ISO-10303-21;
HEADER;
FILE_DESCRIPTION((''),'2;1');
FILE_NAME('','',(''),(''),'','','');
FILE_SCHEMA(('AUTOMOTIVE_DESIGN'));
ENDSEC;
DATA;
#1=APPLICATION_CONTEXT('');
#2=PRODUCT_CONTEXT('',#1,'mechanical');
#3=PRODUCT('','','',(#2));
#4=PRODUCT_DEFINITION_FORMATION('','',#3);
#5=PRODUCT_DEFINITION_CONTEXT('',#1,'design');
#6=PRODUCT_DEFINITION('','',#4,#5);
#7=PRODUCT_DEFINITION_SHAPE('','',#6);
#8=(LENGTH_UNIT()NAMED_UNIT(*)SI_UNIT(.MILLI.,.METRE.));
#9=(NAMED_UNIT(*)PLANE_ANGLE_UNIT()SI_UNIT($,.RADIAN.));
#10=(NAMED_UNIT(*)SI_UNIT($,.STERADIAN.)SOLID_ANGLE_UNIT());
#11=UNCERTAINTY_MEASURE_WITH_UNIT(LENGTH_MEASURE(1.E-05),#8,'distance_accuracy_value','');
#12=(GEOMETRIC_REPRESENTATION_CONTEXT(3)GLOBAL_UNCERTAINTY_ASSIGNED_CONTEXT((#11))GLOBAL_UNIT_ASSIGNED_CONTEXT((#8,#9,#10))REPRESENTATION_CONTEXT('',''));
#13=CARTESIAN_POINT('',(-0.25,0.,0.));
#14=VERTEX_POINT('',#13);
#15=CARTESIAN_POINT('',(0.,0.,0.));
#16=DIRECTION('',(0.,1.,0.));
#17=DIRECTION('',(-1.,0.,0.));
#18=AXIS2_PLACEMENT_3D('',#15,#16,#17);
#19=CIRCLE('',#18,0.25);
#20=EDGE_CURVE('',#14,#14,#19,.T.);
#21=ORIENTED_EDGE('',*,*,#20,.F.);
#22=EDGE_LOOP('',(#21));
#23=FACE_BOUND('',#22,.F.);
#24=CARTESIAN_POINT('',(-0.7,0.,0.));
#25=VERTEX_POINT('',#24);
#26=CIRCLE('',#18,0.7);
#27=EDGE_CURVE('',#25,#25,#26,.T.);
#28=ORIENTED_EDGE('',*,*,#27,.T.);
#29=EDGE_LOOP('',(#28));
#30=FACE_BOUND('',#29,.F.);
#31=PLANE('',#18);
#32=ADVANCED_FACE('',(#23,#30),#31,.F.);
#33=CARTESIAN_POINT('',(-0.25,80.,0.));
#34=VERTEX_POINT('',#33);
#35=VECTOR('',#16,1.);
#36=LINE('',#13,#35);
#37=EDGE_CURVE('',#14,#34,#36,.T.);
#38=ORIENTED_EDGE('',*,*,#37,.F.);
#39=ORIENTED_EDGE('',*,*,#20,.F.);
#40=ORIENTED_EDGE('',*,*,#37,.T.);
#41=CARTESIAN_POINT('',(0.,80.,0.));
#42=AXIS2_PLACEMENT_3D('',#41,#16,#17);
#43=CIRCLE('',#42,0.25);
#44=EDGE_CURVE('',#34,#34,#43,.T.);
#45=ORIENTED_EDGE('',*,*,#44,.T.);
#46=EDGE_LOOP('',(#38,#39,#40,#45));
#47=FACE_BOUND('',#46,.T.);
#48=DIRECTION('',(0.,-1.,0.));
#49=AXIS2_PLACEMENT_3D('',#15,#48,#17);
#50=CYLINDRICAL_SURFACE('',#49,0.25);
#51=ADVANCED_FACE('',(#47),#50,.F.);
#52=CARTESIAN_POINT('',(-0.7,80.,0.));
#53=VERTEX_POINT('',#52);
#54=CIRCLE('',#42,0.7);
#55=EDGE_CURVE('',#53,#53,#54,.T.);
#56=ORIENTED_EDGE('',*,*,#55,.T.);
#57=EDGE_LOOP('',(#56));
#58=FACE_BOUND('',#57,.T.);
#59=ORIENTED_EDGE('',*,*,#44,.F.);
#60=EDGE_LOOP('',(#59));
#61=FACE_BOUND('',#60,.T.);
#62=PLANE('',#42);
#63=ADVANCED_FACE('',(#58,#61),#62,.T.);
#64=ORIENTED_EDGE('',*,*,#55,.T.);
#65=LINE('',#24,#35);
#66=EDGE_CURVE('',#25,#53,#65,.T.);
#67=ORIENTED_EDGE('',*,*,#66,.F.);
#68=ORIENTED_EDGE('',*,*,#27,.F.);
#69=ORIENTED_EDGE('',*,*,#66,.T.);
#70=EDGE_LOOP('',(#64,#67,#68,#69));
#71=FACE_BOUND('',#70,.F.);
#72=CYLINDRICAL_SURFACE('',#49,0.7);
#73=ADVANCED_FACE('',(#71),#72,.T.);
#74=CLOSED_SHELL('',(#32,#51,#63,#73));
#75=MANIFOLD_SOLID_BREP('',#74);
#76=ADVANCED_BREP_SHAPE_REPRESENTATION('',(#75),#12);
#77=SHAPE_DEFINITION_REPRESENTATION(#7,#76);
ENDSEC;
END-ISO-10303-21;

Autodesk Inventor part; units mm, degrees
ref_plane "YZ Plane" through (0, 0, 0) normal (1, 0, 0) x (0, 1, 0)
ref_plane "XZ Plane" through (0, 0, 0) normal (0, 1, 0) x (-1, 0, 0)
ref_plane "XY Plane" through (0, 0, 0) normal (0, 0, 1) x (1, 0, 0)
sketch "Sketch1" plane through (0, 0, 0) normal (0, 1, 0) x (-1, 0, 0)
  circle A0 centre (0, 0) radius 0.25
  circle A1 centre (0, 0) radius 0.7
  dimension "d0" = 0.5
  dimension "d1" = 1.4
extrude "Extrusion1" add sketch "Sketch1" along normal blind 80
properties part number "bw_tube_2"
